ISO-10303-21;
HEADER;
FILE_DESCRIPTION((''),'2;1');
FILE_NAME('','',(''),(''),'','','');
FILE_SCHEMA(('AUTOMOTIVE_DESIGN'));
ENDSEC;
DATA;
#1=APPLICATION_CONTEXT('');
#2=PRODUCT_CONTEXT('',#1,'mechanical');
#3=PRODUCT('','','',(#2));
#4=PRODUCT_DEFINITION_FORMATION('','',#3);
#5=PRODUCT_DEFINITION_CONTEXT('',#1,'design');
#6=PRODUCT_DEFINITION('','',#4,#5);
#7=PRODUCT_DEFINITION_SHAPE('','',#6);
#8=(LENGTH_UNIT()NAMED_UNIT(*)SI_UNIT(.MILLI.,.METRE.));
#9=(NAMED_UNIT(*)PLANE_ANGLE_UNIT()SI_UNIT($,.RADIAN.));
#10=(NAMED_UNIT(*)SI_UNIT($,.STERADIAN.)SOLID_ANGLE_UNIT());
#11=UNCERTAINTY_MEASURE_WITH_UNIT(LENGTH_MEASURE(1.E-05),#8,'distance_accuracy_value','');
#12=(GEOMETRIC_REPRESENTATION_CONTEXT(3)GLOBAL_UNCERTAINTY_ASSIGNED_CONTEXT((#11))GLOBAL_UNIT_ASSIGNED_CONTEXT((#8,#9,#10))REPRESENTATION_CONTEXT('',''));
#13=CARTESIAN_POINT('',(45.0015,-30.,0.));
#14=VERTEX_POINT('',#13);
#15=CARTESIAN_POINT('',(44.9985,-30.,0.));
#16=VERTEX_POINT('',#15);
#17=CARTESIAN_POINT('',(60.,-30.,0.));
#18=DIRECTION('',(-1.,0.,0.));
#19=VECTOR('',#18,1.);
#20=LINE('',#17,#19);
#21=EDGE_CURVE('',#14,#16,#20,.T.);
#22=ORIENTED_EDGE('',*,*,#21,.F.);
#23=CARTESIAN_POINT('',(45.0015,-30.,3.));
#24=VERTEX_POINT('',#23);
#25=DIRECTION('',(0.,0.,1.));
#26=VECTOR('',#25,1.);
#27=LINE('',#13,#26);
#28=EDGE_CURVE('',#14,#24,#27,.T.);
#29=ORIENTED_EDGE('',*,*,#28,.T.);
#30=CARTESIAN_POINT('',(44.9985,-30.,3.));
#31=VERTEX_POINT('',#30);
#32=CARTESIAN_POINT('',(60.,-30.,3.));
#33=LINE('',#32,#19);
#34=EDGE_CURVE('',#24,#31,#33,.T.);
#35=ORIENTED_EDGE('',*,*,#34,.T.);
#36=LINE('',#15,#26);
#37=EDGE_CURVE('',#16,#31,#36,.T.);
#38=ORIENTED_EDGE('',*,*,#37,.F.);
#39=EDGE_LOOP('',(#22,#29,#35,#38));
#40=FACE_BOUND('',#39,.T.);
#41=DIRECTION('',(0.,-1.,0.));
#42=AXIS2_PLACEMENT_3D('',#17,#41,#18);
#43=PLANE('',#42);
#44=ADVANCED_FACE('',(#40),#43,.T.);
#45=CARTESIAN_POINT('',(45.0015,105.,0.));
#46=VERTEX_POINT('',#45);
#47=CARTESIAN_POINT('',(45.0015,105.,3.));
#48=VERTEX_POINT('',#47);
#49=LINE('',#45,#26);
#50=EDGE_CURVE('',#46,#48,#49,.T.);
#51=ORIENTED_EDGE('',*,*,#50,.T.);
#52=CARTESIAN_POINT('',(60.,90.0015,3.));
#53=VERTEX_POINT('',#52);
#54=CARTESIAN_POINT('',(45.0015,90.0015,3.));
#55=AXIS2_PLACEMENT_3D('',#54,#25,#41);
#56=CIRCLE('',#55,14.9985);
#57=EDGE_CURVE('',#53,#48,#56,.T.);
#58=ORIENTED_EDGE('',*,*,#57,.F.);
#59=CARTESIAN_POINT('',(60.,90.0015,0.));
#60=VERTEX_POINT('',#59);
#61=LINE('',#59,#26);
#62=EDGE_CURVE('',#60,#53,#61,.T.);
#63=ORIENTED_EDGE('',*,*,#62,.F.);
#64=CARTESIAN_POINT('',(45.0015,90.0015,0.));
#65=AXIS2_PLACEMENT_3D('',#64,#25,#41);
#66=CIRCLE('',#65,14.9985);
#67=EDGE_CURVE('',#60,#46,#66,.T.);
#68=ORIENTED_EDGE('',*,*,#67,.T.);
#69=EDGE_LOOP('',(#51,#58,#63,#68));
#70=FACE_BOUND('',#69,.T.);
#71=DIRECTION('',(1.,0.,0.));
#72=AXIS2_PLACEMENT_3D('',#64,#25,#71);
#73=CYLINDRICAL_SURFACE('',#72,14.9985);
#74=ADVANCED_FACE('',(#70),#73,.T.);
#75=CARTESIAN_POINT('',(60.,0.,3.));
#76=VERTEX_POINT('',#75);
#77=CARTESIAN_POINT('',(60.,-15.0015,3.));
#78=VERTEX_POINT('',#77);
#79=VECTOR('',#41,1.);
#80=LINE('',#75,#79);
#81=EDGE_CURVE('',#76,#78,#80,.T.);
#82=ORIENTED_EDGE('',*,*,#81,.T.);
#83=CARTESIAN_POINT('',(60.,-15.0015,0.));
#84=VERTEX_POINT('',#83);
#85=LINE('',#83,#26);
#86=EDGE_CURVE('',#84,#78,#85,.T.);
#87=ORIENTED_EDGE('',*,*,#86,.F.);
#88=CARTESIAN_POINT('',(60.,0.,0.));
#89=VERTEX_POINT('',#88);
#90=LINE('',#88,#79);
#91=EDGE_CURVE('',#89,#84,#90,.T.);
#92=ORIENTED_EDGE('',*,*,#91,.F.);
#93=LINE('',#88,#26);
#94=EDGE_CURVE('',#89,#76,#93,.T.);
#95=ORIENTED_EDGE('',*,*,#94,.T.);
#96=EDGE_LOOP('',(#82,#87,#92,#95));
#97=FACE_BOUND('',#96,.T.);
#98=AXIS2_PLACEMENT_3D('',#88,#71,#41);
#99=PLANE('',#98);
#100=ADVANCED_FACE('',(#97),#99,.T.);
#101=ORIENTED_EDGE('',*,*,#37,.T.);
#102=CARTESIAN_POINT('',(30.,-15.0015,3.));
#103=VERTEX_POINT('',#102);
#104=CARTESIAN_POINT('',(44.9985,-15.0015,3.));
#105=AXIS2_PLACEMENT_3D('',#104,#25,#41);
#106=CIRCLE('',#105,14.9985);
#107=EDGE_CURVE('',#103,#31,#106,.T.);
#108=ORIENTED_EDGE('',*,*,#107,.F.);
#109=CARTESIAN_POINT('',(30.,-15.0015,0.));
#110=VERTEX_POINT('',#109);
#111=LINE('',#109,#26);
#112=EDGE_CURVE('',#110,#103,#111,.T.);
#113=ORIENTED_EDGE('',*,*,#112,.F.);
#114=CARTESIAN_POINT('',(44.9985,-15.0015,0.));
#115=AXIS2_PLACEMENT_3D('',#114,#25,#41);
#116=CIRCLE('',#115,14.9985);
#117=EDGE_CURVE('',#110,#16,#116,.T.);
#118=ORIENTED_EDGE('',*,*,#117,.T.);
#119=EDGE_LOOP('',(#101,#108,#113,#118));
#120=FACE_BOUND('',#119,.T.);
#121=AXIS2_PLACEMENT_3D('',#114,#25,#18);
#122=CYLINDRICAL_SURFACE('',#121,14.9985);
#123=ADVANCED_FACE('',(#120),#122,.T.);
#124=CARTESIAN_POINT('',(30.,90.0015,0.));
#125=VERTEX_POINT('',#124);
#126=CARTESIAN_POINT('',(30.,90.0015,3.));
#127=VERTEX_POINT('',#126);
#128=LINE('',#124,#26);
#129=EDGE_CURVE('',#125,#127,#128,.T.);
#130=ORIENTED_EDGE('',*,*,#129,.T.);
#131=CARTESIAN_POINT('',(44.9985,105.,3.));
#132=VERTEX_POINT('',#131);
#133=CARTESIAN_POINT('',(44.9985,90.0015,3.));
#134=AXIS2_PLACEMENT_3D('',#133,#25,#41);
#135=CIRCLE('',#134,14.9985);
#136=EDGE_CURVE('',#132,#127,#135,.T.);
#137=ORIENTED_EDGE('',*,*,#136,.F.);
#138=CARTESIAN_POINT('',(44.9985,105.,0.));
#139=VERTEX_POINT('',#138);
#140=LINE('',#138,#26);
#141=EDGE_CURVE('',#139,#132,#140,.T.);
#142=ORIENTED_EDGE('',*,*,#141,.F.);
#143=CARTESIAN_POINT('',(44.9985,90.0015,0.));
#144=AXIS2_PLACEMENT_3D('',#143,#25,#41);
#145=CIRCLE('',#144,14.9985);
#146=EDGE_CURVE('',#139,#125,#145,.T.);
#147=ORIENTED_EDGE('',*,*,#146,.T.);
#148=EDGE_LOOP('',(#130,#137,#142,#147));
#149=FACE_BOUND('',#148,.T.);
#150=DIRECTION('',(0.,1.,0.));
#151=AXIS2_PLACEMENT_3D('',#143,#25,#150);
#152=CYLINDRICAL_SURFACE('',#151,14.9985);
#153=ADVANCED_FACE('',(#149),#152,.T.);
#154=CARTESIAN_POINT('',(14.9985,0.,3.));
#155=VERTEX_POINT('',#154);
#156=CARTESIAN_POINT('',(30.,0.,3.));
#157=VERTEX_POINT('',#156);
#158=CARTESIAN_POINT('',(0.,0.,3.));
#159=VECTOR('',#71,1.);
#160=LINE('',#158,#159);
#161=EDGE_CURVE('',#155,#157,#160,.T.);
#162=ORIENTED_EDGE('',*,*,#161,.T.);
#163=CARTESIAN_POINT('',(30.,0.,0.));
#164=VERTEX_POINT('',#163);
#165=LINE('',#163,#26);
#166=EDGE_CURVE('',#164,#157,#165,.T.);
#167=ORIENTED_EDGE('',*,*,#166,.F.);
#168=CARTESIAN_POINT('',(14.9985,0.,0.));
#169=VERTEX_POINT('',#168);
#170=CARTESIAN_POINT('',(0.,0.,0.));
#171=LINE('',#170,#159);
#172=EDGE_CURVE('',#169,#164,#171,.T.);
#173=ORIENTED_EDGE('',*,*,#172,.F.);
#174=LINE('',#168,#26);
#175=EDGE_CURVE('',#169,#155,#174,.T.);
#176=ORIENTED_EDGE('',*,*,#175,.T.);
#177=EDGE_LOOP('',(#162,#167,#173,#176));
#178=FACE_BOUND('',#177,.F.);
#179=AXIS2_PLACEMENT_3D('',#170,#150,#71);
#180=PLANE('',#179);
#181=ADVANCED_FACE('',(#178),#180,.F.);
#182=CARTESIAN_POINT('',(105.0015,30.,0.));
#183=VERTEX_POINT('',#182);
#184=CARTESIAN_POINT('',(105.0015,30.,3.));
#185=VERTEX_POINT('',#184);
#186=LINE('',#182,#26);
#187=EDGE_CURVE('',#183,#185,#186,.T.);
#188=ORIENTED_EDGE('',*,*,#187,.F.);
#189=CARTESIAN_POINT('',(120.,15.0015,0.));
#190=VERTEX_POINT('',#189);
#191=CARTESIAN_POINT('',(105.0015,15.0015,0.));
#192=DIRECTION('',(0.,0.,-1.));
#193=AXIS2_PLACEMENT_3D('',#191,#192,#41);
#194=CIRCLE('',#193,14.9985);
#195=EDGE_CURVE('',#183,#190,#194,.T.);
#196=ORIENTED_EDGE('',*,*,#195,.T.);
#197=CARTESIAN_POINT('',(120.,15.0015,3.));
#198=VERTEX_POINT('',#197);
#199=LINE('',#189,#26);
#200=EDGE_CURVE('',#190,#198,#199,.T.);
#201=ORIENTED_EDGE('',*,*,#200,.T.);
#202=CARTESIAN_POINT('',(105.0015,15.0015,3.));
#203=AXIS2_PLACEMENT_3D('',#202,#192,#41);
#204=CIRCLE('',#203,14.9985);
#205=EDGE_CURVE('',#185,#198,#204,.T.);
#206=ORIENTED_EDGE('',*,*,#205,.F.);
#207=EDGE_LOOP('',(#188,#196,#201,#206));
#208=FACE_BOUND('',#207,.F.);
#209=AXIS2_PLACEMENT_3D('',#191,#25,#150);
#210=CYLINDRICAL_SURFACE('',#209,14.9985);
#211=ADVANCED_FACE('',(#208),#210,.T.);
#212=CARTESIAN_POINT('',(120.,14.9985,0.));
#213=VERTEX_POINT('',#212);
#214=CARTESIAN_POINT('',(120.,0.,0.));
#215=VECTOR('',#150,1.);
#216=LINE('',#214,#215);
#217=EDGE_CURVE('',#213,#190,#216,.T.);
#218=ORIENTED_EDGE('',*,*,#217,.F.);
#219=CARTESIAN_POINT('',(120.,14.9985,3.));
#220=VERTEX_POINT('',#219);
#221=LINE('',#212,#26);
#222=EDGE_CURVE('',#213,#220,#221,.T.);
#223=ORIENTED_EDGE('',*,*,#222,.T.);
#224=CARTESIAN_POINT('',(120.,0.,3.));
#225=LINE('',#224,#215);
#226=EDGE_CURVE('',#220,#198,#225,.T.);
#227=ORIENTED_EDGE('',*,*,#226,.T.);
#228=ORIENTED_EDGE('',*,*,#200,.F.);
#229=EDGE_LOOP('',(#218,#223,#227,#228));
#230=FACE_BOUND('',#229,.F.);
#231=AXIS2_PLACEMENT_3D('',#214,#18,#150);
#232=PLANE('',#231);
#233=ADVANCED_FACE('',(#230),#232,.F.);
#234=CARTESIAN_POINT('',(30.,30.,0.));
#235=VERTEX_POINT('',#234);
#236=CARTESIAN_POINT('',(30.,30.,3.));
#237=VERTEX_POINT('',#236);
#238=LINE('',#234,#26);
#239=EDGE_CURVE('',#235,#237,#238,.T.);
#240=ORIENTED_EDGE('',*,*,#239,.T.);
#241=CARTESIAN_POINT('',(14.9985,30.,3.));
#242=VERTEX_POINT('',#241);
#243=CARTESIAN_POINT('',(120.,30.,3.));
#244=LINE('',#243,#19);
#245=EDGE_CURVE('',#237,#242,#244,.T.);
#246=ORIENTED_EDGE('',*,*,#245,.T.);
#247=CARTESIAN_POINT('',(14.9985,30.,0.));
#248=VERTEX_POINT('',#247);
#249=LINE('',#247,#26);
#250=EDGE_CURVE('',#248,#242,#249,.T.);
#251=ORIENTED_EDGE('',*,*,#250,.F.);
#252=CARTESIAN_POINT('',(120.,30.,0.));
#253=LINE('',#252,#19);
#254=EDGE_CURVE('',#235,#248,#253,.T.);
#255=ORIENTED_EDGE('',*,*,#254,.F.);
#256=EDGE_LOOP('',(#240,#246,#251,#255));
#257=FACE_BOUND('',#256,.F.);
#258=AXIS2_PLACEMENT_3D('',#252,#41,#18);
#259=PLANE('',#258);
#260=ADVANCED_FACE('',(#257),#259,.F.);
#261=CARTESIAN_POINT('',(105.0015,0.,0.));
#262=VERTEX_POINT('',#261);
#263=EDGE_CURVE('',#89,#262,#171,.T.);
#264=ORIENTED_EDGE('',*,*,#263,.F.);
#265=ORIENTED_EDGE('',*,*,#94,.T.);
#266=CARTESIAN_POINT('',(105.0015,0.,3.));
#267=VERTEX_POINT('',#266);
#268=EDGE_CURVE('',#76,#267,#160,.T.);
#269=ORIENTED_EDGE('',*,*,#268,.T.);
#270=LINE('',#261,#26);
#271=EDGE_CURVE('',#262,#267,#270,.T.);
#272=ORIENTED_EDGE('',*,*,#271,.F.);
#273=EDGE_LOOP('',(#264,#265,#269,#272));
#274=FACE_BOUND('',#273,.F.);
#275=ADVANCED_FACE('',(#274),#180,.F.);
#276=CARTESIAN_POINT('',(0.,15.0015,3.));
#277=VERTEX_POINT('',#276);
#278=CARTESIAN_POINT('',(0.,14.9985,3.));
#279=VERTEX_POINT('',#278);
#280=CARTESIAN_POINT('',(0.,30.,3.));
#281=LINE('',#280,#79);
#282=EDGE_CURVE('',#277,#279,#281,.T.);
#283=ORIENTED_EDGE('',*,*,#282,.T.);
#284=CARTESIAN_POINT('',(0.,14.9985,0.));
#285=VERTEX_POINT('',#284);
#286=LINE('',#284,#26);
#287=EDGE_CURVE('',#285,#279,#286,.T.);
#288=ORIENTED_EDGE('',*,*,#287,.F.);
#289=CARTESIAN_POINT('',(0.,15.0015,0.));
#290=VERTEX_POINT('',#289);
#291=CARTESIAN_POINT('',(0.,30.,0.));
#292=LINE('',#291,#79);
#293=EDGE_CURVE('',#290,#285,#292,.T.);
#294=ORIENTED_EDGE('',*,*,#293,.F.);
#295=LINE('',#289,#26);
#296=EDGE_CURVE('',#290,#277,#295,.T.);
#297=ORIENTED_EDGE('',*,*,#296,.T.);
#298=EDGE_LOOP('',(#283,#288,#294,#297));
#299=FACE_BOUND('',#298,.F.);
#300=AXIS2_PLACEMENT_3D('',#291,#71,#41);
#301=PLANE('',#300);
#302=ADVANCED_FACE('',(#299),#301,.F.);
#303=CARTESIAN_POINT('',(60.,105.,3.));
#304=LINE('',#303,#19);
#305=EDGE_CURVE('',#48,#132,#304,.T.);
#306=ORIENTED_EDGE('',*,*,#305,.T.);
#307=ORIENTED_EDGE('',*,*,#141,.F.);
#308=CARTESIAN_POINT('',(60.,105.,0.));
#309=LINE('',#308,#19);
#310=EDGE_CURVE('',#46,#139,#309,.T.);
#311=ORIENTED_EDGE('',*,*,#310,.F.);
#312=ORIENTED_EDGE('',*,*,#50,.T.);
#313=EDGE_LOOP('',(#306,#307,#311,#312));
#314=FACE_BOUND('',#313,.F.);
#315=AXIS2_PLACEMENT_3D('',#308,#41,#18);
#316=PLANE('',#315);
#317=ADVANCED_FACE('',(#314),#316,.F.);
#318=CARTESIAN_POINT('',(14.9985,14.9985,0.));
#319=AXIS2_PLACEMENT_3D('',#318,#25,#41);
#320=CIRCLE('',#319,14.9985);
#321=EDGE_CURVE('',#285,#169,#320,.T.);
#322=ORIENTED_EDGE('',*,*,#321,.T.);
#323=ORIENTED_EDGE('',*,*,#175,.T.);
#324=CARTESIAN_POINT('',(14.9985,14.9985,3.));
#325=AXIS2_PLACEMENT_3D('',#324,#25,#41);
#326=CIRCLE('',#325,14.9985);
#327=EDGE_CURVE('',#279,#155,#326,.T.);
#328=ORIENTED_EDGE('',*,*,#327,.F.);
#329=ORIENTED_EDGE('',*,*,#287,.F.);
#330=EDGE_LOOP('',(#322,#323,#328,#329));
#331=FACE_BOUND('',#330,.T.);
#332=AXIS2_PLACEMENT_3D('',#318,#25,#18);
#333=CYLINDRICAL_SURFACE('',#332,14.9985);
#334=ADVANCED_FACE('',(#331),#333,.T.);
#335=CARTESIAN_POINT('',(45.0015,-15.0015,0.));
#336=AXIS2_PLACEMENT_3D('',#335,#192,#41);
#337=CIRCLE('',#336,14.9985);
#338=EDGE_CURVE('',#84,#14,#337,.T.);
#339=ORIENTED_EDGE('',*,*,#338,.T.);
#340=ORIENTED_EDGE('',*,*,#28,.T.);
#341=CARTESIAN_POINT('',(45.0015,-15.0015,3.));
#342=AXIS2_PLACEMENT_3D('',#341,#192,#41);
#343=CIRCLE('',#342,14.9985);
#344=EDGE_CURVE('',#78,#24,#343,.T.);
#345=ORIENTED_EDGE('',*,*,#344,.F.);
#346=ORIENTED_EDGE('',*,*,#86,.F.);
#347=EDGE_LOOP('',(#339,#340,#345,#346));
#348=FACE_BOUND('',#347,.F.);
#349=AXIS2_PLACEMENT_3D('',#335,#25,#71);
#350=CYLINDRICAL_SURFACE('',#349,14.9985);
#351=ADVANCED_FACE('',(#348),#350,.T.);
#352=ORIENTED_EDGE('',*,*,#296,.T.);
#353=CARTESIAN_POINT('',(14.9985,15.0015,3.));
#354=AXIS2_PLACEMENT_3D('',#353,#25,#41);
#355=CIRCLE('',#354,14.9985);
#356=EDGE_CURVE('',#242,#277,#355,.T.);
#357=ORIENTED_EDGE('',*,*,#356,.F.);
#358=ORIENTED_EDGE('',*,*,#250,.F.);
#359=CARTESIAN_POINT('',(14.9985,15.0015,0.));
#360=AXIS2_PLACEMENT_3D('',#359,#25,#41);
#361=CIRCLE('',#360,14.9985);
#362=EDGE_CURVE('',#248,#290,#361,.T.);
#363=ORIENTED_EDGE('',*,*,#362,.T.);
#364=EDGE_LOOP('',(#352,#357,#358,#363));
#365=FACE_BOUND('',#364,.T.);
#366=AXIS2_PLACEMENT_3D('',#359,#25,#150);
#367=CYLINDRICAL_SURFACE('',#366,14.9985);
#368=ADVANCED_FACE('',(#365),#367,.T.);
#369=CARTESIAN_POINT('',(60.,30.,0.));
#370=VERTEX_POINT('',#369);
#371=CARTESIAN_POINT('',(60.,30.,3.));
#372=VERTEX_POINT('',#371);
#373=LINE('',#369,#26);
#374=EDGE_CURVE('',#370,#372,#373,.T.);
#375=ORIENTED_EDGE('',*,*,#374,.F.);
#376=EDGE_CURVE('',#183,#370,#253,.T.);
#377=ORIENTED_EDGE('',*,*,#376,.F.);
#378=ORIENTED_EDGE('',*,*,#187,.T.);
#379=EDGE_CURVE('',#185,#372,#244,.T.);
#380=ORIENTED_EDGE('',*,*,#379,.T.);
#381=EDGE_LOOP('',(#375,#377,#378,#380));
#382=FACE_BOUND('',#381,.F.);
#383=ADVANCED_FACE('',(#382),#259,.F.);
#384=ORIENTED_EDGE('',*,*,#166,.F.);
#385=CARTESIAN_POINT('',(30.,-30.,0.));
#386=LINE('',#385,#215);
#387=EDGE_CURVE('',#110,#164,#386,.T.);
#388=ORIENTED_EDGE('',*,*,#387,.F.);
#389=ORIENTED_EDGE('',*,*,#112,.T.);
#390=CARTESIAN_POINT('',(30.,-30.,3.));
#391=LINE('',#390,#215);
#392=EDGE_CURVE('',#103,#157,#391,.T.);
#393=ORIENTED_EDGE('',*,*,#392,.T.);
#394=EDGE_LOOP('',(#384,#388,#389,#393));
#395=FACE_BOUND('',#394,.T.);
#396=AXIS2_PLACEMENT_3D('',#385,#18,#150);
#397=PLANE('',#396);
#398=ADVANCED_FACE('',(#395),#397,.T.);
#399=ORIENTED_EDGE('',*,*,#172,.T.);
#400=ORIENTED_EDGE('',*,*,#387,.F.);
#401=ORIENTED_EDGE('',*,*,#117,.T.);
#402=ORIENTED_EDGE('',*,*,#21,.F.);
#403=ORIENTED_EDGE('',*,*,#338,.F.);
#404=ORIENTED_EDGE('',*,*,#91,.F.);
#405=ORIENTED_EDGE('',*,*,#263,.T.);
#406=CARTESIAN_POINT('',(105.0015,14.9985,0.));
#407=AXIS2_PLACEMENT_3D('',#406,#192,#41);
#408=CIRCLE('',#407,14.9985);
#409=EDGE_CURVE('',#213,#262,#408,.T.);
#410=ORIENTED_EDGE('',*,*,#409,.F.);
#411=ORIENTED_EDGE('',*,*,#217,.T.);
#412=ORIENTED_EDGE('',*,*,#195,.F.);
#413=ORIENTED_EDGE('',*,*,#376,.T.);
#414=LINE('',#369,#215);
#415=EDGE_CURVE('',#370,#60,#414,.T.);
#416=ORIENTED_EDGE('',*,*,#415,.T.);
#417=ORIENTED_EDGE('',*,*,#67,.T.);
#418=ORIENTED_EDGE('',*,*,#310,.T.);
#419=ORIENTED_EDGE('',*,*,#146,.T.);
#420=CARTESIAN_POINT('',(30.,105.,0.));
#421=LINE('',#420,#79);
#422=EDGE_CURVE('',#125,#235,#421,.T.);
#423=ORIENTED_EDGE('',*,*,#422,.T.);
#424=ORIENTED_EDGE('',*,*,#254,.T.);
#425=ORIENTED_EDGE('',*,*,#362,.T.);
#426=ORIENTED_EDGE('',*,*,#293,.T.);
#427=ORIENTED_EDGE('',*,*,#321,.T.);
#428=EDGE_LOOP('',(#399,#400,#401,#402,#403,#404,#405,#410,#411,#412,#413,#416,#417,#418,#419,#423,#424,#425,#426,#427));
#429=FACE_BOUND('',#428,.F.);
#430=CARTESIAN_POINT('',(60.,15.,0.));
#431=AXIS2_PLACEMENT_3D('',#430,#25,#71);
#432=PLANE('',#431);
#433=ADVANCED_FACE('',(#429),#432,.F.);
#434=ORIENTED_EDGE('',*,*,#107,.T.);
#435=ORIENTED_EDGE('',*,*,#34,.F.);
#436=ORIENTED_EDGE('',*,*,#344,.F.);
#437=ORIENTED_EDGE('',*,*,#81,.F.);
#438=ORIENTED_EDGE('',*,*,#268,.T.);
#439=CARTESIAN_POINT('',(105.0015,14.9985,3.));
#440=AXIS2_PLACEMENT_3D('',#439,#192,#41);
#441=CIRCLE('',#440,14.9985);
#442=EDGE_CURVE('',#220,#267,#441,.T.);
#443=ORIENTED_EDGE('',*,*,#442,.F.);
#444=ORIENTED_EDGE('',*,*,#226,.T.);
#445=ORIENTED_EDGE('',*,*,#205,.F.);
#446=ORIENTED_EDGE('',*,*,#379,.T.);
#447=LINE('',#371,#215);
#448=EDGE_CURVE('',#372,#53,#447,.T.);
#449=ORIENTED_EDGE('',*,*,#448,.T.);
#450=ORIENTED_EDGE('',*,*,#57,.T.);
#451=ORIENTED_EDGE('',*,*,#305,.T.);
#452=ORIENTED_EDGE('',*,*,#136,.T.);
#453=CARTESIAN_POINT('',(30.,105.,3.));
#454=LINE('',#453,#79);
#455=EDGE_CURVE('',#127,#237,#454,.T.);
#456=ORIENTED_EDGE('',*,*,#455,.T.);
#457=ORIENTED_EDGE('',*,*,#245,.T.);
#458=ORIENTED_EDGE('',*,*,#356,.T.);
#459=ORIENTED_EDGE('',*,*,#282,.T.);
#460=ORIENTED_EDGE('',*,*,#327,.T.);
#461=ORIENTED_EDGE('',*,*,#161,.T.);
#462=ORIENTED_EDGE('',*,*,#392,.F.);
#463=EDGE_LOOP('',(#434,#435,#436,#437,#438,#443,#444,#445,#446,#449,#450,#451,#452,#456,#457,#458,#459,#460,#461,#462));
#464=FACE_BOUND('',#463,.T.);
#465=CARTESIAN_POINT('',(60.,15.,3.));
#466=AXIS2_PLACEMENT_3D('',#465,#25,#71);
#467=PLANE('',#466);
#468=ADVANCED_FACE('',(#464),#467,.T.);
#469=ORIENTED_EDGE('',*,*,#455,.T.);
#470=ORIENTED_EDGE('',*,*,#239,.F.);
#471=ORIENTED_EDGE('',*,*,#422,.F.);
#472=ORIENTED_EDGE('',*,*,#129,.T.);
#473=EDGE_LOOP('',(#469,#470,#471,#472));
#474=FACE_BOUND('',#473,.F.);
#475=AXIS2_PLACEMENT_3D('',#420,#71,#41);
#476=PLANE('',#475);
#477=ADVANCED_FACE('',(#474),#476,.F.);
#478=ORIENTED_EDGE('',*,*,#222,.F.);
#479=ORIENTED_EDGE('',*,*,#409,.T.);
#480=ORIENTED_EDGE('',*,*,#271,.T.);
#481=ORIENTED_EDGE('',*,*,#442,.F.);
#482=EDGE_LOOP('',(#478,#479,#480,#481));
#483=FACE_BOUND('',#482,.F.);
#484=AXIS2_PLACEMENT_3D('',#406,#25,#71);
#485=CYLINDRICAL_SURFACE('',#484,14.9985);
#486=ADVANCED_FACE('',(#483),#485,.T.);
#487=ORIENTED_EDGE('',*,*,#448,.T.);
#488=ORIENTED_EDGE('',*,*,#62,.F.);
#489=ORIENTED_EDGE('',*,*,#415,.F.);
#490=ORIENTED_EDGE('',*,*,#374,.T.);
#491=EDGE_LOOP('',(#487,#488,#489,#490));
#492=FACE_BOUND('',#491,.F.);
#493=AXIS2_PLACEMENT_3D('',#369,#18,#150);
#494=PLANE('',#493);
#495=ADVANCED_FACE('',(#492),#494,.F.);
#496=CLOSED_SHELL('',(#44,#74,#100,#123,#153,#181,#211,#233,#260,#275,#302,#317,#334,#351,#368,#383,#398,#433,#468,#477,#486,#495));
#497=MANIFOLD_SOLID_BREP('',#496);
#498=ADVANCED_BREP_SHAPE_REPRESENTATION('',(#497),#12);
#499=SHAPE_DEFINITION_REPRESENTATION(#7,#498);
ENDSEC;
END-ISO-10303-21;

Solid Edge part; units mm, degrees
sketch "Sketch1" plane through (0, 0, 0) normal (0, 0, 1) x (1, 0, 0)
  line L0 (30, 105) -> (30, 30)
  line L1 (30, 30) -> (60, 30)
  line L2 (60, 30) -> (60, 105)
  line L3 (60, 105) -> (30, 105)
  line L4 (120, 30) -> (0, 30)
  line L5 (0, 30) -> (0, 0)
  line L6 (0, 0) -> (120, 0)
  line L7 (120, 0) -> (120, 30)
  line L8 (60, 0) -> (60, -30)
  line L9 (60, -30) -> (30, -30)
  line L10 (30, -30) -> (30, 0)
  line L11 (30, 0) -> (60, 0)
  dimension "D1" = 30
  dimension "D2" = 30
  dimension "D3" = 30
  dimension "D4" = 120
  dimension "D5" = 30
  dimension "D6" = 75
extrude "Protrusion1" add sketch "Sketch1" along normal blind 3
fillet "RoundMain" radius 15 8 edges at (0, 30, 1.5) (30, 105, 1.5) (60, 105, 1.5) (120, 30, 1.5) (120, 0, 1.5) (0, 0, 1.5) (60, -30, 1.5) (30, -30, 1.5)
